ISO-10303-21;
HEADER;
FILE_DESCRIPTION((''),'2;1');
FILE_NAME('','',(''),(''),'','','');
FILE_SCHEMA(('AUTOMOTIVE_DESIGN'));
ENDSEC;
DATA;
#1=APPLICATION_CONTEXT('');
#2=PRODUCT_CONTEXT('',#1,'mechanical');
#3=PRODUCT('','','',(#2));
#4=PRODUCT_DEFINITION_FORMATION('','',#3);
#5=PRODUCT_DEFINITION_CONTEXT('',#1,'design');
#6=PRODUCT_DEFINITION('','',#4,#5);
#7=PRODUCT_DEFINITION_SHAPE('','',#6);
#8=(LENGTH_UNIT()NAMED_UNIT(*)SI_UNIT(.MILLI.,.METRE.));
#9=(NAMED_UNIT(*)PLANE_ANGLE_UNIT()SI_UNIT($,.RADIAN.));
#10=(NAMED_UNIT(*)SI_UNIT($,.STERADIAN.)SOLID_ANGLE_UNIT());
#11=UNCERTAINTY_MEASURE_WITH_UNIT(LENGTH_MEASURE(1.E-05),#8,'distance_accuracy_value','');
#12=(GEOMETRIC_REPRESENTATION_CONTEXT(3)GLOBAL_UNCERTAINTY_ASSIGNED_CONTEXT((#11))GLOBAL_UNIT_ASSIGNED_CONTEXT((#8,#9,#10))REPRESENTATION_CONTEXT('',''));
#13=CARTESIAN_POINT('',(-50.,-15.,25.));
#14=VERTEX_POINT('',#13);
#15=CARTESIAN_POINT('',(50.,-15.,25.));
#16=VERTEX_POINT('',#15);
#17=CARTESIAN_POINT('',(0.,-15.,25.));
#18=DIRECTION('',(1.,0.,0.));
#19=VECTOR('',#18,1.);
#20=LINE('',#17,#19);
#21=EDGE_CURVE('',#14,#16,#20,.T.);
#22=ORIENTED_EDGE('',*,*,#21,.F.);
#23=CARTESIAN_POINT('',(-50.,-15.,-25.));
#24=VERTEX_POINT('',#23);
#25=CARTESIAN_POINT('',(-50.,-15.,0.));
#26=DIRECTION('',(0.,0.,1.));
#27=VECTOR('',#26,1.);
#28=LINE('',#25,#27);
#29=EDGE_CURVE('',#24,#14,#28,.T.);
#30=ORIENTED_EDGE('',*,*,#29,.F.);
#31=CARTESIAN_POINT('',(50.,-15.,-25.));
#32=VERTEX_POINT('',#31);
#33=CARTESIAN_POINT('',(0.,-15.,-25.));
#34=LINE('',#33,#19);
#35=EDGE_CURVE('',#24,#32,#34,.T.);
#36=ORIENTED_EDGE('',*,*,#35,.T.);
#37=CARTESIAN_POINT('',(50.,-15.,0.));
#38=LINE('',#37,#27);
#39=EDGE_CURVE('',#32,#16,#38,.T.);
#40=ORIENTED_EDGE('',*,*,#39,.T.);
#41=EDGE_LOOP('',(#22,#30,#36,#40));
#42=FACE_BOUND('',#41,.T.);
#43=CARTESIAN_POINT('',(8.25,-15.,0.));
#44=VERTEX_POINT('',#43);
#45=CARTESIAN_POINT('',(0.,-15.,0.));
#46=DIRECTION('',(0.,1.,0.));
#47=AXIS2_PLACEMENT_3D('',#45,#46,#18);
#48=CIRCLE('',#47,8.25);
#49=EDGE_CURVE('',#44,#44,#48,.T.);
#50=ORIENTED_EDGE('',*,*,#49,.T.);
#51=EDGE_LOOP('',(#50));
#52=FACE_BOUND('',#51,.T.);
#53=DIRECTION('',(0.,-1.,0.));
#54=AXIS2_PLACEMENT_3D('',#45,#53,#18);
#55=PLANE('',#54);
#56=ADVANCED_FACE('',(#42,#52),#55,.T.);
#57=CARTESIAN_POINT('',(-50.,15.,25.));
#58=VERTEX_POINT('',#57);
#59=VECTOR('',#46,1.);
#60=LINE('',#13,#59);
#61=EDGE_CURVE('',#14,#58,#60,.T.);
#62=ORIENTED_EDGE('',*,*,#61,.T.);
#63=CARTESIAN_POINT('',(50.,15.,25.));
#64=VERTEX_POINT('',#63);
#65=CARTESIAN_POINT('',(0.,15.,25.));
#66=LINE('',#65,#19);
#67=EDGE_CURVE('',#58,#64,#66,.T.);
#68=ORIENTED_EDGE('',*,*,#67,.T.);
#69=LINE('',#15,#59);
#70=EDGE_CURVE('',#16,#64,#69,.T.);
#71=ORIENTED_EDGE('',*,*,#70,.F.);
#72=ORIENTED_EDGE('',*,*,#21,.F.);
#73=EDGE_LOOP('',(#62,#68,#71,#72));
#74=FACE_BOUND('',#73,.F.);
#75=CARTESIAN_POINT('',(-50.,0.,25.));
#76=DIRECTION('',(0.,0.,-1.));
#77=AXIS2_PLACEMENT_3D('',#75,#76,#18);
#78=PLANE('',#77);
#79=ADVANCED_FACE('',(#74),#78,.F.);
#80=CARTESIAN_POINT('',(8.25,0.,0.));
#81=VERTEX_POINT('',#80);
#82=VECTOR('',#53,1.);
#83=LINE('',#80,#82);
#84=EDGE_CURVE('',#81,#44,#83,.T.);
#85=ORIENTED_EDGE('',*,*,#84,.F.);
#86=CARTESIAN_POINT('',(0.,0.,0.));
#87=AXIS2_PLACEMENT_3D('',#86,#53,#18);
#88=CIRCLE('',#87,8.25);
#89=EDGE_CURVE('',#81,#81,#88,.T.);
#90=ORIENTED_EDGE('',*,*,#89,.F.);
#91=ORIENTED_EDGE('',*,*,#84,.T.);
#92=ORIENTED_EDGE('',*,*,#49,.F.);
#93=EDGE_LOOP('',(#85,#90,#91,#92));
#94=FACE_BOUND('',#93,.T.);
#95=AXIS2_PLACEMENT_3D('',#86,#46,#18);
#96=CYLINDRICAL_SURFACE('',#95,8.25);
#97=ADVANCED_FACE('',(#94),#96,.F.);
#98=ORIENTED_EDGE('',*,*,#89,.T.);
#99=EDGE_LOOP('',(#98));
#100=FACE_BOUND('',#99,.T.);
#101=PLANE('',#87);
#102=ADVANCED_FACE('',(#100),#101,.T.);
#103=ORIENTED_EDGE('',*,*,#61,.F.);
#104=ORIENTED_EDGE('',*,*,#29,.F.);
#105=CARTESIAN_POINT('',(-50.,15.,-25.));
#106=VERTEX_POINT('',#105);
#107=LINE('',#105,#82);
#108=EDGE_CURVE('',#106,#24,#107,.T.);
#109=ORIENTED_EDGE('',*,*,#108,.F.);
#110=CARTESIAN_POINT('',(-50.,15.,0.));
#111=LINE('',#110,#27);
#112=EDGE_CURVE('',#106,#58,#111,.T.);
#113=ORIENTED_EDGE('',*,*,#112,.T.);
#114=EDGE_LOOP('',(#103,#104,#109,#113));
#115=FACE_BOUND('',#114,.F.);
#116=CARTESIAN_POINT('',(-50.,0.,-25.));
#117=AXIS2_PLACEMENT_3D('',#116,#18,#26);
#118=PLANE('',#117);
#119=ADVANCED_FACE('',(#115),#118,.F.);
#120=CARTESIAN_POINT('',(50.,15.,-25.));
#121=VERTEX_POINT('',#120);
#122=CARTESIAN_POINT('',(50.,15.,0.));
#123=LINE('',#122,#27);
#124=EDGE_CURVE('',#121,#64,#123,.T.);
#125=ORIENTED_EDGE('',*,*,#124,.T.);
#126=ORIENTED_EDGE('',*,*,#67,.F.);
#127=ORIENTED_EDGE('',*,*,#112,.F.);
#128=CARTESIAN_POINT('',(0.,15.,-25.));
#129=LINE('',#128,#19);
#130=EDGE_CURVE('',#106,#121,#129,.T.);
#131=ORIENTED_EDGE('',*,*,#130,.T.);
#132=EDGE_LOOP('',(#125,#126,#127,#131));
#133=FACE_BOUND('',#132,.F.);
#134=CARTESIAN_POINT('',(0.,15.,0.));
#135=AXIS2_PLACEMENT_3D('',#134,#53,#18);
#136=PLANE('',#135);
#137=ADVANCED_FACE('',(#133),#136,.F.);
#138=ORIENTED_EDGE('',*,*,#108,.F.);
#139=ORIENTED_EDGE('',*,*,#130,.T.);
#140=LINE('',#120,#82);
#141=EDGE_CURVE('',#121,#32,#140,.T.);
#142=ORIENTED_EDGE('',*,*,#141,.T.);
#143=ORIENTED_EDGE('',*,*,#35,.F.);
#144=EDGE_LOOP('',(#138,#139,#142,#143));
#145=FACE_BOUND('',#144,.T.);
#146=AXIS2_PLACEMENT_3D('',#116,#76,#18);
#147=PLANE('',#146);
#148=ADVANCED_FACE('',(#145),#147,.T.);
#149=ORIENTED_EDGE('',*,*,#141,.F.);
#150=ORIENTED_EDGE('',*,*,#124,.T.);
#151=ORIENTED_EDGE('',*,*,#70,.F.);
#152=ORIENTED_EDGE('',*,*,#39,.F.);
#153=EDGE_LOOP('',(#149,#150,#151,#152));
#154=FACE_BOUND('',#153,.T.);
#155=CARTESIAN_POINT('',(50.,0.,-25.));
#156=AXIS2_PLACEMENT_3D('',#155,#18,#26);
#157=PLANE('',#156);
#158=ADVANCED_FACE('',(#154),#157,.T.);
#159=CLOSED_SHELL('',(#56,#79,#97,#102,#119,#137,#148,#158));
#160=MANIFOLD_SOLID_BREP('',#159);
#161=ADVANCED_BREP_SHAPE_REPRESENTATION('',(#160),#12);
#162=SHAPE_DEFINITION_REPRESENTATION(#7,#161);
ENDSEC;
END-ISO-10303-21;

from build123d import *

# Parameters (mm, degrees)
F0_W      = 100
F0_H      = 50
F1_DEPTH  = 15
F2_R      = 8.25
F1_FACE_W = 100
F1_FACE_H = 50
F3_DEPTH  = 20


with BuildPart() as f1:
    # F0 (on Front) → F1 (new body, symmetric)
    with BuildSketch(Plane.XZ):
        Rectangle(F0_W, F0_H)
    extrude(amount=F1_DEPTH, both=True)

    # F2 (on Front) + F1_face (on face) → F3 (cut)
    with BuildSketch(Plane.XZ):
        Circle(F2_R)
    with BuildSketch(Plane.XZ.offset(15)):
        Rectangle(F1_FACE_W, F1_FACE_H)
    extrude(amount=F3_DEPTH, mode=Mode.SUBTRACT)


solid = f1.part
